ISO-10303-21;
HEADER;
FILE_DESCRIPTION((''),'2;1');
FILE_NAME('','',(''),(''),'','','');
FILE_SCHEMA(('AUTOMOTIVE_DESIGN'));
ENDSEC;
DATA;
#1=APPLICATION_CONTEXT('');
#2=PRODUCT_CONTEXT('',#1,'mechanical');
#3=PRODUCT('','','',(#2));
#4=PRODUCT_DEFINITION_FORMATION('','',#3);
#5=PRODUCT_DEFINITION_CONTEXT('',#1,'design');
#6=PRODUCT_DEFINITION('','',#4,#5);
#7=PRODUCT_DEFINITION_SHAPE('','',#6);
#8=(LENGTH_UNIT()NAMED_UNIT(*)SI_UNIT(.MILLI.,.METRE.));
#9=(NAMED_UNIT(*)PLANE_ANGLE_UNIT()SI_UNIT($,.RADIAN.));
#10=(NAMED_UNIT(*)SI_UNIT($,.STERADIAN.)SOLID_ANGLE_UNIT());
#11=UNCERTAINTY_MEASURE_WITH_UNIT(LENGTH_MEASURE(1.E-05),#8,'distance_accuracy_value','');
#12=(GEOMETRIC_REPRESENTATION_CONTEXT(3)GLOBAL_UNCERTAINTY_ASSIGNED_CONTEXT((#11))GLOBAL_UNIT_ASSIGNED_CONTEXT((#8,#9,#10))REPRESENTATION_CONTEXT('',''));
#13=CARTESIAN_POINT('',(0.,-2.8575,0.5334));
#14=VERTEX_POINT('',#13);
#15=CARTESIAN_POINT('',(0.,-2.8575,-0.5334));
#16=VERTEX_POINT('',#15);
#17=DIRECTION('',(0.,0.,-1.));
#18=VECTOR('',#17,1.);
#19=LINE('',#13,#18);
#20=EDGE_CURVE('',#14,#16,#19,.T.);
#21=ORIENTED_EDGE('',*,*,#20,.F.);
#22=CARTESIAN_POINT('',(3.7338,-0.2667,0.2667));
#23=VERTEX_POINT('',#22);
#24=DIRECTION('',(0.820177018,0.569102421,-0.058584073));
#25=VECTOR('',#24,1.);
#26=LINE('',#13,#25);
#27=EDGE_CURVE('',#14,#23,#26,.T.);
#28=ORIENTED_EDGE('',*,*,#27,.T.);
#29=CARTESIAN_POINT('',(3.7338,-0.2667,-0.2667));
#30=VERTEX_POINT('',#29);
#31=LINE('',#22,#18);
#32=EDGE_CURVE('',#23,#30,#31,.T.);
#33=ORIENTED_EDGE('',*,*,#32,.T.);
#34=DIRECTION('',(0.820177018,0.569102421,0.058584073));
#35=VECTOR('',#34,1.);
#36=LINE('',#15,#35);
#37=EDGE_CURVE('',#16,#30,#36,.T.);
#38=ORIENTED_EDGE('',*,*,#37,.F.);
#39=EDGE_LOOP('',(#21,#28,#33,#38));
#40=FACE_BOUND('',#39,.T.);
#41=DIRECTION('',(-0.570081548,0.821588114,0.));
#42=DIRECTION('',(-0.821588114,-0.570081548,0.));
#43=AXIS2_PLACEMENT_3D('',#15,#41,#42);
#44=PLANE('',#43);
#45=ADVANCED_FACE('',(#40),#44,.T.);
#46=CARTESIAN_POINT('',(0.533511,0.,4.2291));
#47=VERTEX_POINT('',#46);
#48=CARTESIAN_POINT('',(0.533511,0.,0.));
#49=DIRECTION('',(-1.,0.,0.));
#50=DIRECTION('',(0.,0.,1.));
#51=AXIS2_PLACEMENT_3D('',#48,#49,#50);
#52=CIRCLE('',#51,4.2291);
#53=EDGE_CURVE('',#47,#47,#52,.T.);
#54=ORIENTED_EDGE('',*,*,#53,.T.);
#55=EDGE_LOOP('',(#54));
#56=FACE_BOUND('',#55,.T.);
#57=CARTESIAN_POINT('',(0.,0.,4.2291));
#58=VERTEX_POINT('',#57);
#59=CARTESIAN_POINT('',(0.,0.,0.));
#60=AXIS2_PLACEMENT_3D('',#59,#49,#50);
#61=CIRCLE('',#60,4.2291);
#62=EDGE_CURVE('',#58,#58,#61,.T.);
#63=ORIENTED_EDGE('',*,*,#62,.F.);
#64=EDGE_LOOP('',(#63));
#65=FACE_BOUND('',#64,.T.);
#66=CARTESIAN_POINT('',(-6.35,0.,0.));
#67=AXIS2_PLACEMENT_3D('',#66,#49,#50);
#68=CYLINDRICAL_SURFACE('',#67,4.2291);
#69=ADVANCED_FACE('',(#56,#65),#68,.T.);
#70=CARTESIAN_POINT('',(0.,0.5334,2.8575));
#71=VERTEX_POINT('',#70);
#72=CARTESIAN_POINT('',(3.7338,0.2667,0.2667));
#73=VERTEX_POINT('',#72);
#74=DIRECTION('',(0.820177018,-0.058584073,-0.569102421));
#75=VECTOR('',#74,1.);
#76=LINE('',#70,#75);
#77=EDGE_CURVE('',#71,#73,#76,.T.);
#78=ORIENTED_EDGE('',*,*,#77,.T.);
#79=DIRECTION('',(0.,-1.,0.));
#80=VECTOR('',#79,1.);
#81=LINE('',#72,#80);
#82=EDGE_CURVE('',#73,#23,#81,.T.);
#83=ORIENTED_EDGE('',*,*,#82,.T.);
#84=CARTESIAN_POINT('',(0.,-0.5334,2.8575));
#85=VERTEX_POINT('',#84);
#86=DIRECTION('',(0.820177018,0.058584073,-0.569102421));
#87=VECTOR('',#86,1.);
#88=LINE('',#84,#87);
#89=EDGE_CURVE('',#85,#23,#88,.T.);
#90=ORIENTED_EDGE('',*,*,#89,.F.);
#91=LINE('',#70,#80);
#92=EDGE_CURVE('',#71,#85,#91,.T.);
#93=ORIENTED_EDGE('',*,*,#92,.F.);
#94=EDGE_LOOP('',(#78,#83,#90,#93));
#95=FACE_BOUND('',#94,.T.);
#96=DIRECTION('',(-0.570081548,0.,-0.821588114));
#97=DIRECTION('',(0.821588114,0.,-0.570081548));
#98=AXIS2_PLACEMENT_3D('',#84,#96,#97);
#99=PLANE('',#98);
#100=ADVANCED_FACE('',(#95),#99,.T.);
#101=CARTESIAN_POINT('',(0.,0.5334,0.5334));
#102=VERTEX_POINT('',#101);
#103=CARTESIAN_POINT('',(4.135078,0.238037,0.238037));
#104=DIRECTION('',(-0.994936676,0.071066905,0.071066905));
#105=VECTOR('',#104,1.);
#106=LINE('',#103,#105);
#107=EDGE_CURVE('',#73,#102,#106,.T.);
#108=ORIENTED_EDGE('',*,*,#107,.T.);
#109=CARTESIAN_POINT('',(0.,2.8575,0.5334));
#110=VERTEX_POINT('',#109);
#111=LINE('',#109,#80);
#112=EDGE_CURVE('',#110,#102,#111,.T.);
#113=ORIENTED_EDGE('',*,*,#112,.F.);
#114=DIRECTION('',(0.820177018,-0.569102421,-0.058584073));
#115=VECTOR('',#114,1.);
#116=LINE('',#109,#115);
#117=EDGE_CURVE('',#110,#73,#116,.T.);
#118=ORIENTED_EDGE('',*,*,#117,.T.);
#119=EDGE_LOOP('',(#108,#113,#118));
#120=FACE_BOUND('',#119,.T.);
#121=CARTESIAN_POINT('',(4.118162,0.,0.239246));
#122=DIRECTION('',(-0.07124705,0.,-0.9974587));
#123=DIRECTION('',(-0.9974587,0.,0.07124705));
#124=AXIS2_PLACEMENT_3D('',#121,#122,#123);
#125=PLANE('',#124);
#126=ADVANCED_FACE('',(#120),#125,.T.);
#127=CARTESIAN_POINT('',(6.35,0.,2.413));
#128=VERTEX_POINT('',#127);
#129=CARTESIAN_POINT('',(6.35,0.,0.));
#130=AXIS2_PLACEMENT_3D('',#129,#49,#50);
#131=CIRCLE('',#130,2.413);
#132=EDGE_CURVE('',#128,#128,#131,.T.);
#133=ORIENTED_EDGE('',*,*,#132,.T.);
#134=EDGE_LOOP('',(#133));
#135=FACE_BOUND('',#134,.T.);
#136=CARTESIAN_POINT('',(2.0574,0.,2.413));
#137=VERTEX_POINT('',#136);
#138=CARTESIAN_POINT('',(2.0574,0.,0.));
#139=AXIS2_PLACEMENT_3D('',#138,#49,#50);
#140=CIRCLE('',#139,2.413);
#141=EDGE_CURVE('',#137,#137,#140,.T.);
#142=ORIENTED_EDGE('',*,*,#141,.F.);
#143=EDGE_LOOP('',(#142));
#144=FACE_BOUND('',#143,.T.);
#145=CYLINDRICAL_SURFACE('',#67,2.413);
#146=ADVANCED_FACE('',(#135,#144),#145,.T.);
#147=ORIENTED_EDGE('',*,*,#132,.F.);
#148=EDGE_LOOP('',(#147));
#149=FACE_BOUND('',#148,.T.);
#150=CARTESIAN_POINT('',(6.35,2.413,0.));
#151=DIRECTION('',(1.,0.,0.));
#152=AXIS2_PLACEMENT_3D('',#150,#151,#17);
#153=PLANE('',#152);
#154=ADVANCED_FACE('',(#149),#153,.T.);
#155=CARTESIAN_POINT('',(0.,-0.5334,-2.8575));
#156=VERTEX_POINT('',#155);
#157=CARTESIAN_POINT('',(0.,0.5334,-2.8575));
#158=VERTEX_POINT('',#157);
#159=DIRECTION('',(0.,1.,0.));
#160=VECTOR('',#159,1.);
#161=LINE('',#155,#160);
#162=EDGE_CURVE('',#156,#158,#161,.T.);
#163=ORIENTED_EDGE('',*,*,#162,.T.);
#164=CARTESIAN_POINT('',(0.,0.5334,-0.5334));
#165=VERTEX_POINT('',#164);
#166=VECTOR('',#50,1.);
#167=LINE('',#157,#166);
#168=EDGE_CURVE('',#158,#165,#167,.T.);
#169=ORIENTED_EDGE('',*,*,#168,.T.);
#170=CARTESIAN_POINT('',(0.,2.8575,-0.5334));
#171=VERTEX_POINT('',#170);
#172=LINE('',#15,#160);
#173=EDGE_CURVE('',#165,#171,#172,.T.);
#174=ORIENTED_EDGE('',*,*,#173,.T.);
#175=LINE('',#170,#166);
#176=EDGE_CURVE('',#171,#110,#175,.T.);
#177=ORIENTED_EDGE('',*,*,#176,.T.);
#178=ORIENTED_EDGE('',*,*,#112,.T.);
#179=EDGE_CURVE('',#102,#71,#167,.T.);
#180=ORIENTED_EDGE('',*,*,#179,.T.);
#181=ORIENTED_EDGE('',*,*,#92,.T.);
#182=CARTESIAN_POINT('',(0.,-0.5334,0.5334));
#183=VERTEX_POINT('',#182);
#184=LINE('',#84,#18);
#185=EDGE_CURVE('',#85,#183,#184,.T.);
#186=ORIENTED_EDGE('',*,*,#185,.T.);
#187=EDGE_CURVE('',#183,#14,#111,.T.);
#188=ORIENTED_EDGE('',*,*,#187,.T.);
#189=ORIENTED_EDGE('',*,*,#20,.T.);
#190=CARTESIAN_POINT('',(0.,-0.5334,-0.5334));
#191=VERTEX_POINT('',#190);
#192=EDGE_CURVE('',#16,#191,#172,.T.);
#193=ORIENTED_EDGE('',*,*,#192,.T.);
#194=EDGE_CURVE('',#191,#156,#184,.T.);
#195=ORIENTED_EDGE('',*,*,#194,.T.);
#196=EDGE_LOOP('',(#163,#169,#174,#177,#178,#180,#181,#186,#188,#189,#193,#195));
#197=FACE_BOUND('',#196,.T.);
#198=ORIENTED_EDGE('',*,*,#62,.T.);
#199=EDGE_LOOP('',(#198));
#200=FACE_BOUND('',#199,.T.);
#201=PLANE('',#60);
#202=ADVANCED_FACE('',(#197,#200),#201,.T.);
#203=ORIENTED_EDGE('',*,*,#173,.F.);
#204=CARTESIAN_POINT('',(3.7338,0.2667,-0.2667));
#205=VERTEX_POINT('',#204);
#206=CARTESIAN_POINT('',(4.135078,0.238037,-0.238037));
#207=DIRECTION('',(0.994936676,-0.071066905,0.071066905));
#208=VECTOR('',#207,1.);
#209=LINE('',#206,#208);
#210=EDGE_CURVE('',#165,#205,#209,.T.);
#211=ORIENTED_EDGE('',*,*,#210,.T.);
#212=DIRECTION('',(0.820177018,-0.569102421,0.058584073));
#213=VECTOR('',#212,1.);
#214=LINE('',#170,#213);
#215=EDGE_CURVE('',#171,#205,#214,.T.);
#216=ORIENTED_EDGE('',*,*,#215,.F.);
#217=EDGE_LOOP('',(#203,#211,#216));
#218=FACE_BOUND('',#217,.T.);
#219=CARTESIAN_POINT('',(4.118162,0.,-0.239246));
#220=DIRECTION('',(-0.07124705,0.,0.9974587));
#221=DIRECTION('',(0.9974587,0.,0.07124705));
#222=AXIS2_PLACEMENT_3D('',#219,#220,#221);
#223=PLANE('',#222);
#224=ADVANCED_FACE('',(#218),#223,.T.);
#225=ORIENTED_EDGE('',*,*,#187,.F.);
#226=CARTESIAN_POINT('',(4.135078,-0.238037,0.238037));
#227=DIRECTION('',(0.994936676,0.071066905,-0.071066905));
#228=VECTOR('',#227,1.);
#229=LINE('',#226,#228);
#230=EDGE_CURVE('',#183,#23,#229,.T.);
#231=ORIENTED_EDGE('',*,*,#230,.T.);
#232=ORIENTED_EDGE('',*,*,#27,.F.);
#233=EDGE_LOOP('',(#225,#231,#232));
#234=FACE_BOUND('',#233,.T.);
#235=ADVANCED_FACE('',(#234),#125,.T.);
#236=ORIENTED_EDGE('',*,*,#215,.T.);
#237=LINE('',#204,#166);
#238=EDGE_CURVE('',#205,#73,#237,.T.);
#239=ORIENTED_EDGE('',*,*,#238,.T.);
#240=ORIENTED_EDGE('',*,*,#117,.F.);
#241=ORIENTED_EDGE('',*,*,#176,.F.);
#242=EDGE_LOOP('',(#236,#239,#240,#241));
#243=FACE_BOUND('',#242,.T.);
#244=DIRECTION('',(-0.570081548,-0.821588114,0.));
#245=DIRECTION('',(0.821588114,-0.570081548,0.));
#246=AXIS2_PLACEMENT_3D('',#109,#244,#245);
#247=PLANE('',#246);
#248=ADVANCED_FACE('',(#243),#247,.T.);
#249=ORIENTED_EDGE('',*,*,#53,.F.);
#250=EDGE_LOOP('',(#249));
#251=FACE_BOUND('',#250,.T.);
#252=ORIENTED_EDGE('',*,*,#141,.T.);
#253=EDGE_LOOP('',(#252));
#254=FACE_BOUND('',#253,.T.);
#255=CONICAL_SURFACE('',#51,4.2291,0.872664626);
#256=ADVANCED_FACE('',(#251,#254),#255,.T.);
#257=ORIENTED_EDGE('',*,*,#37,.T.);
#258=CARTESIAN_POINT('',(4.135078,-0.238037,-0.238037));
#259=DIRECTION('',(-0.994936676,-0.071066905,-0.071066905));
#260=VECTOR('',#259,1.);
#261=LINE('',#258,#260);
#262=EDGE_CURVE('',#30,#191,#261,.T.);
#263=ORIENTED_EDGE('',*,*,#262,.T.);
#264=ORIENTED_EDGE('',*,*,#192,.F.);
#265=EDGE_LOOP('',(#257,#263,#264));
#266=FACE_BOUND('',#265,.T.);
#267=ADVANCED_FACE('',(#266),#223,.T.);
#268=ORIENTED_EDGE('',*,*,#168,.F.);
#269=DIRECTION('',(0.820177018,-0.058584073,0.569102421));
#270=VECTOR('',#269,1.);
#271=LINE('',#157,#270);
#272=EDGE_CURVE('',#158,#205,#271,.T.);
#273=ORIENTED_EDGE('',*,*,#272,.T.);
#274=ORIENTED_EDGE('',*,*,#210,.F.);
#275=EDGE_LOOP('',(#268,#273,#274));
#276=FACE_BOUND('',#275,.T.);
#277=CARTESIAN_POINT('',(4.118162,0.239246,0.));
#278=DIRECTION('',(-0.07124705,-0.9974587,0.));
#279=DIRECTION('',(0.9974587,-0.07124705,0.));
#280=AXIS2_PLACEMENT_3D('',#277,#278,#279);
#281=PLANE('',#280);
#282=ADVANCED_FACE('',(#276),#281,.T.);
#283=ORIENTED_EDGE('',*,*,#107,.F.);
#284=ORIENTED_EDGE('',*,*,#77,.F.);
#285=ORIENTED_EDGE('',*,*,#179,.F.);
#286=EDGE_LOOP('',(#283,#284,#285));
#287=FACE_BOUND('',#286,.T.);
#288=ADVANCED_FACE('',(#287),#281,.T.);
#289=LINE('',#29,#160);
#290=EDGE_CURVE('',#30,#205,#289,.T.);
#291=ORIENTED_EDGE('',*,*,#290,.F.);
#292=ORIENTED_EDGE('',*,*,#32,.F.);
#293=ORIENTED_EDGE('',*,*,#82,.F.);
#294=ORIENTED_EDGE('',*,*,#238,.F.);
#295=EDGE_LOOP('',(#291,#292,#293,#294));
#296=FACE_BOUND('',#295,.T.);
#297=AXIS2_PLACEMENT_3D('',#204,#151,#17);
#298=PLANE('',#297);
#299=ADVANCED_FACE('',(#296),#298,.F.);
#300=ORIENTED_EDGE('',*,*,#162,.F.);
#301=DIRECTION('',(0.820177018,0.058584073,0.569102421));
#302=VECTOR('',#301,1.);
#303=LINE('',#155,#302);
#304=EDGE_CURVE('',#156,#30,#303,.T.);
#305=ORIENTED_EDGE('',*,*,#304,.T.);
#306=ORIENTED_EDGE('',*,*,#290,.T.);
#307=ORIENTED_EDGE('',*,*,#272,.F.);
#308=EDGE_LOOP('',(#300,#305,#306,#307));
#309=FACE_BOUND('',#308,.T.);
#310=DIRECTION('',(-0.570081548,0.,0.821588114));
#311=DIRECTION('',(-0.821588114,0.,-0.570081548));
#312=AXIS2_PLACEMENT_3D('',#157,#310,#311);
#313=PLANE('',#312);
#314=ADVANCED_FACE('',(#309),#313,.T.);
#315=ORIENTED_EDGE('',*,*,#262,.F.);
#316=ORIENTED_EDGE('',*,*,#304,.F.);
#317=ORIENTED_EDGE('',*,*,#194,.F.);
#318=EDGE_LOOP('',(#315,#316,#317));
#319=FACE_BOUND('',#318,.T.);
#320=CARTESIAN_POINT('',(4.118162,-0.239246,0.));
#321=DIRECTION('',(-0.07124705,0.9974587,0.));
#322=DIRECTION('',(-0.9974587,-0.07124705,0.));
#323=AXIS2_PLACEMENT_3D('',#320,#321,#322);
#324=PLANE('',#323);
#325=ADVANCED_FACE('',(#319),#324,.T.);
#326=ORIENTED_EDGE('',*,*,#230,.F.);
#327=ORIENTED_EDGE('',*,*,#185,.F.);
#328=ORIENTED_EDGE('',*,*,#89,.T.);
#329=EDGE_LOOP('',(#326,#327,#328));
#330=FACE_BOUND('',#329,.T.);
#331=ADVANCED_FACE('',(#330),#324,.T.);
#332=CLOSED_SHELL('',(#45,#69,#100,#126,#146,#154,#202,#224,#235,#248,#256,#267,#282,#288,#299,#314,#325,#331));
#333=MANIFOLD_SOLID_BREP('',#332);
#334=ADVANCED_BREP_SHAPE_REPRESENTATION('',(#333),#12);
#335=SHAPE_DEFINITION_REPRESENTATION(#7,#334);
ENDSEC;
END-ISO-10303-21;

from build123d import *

# Parameters (mm, degrees)
CIRPATTERN1_COUNT = 2
CIRPATTERN1_ANGLE = 90


with BuildPart() as part:
    # BodySke → Base-Revolve (revolve)
    with BuildSketch(Plane.XY, mode=Mode.PRIVATE) as base_revolve_sk:
        Polygon((0, 0), (0, 4.2291), (0.53351116, 4.2291), (2.0574, 2.413), (6.35, 2.413), (6.35, 0), align=None)
    revolve(base_revolve_sk.sketch.rotate(Axis((-6.35, 0, 0), (1, 0, 0)), 90), axis=Axis((-6.35, 0, 0), (1, 0, 0)))

    # Sketch3 → Cross section 0
    with BuildSketch(Plane.ZY):
        with BuildLine():
            Line((-0.5334, 2.8575), (0.5334, 2.8575))
            Line((0.5334, 2.8575), (0.5334, -2.8575))
            Line((0.5334, -2.8575), (-0.5334, -2.8575))
            Line((-0.5334, -2.8575), (-0.5334, 2.8575))
        make_face()
    # Sketch4 → Cross section 1
    with BuildSketch(Plane.ZY.offset(-3.7338)):
        with BuildLine():
            Line((-0.2667, 0.2667), (0.2667, 0.2667))
            Line((0.2667, 0.2667), (0.2667, -0.2667))
            Line((0.2667, -0.2667), (-0.2667, -0.2667))
            Line((-0.2667, -0.2667), (-0.2667, 0.2667))
        make_face()
    cross = loft(mode=Mode.SUBTRACT)

    # CirPattern1: Cross ×2 about axis
    cirpattern1_axis = Axis((0, 0, 0), (1, 0, 0))
    for i in range(1, CIRPATTERN1_COUNT):
        add(cross.rotate(cirpattern1_axis, i * CIRPATTERN1_ANGLE / (CIRPATTERN1_COUNT - 1)), mode=Mode.SUBTRACT)


solid = part.part
